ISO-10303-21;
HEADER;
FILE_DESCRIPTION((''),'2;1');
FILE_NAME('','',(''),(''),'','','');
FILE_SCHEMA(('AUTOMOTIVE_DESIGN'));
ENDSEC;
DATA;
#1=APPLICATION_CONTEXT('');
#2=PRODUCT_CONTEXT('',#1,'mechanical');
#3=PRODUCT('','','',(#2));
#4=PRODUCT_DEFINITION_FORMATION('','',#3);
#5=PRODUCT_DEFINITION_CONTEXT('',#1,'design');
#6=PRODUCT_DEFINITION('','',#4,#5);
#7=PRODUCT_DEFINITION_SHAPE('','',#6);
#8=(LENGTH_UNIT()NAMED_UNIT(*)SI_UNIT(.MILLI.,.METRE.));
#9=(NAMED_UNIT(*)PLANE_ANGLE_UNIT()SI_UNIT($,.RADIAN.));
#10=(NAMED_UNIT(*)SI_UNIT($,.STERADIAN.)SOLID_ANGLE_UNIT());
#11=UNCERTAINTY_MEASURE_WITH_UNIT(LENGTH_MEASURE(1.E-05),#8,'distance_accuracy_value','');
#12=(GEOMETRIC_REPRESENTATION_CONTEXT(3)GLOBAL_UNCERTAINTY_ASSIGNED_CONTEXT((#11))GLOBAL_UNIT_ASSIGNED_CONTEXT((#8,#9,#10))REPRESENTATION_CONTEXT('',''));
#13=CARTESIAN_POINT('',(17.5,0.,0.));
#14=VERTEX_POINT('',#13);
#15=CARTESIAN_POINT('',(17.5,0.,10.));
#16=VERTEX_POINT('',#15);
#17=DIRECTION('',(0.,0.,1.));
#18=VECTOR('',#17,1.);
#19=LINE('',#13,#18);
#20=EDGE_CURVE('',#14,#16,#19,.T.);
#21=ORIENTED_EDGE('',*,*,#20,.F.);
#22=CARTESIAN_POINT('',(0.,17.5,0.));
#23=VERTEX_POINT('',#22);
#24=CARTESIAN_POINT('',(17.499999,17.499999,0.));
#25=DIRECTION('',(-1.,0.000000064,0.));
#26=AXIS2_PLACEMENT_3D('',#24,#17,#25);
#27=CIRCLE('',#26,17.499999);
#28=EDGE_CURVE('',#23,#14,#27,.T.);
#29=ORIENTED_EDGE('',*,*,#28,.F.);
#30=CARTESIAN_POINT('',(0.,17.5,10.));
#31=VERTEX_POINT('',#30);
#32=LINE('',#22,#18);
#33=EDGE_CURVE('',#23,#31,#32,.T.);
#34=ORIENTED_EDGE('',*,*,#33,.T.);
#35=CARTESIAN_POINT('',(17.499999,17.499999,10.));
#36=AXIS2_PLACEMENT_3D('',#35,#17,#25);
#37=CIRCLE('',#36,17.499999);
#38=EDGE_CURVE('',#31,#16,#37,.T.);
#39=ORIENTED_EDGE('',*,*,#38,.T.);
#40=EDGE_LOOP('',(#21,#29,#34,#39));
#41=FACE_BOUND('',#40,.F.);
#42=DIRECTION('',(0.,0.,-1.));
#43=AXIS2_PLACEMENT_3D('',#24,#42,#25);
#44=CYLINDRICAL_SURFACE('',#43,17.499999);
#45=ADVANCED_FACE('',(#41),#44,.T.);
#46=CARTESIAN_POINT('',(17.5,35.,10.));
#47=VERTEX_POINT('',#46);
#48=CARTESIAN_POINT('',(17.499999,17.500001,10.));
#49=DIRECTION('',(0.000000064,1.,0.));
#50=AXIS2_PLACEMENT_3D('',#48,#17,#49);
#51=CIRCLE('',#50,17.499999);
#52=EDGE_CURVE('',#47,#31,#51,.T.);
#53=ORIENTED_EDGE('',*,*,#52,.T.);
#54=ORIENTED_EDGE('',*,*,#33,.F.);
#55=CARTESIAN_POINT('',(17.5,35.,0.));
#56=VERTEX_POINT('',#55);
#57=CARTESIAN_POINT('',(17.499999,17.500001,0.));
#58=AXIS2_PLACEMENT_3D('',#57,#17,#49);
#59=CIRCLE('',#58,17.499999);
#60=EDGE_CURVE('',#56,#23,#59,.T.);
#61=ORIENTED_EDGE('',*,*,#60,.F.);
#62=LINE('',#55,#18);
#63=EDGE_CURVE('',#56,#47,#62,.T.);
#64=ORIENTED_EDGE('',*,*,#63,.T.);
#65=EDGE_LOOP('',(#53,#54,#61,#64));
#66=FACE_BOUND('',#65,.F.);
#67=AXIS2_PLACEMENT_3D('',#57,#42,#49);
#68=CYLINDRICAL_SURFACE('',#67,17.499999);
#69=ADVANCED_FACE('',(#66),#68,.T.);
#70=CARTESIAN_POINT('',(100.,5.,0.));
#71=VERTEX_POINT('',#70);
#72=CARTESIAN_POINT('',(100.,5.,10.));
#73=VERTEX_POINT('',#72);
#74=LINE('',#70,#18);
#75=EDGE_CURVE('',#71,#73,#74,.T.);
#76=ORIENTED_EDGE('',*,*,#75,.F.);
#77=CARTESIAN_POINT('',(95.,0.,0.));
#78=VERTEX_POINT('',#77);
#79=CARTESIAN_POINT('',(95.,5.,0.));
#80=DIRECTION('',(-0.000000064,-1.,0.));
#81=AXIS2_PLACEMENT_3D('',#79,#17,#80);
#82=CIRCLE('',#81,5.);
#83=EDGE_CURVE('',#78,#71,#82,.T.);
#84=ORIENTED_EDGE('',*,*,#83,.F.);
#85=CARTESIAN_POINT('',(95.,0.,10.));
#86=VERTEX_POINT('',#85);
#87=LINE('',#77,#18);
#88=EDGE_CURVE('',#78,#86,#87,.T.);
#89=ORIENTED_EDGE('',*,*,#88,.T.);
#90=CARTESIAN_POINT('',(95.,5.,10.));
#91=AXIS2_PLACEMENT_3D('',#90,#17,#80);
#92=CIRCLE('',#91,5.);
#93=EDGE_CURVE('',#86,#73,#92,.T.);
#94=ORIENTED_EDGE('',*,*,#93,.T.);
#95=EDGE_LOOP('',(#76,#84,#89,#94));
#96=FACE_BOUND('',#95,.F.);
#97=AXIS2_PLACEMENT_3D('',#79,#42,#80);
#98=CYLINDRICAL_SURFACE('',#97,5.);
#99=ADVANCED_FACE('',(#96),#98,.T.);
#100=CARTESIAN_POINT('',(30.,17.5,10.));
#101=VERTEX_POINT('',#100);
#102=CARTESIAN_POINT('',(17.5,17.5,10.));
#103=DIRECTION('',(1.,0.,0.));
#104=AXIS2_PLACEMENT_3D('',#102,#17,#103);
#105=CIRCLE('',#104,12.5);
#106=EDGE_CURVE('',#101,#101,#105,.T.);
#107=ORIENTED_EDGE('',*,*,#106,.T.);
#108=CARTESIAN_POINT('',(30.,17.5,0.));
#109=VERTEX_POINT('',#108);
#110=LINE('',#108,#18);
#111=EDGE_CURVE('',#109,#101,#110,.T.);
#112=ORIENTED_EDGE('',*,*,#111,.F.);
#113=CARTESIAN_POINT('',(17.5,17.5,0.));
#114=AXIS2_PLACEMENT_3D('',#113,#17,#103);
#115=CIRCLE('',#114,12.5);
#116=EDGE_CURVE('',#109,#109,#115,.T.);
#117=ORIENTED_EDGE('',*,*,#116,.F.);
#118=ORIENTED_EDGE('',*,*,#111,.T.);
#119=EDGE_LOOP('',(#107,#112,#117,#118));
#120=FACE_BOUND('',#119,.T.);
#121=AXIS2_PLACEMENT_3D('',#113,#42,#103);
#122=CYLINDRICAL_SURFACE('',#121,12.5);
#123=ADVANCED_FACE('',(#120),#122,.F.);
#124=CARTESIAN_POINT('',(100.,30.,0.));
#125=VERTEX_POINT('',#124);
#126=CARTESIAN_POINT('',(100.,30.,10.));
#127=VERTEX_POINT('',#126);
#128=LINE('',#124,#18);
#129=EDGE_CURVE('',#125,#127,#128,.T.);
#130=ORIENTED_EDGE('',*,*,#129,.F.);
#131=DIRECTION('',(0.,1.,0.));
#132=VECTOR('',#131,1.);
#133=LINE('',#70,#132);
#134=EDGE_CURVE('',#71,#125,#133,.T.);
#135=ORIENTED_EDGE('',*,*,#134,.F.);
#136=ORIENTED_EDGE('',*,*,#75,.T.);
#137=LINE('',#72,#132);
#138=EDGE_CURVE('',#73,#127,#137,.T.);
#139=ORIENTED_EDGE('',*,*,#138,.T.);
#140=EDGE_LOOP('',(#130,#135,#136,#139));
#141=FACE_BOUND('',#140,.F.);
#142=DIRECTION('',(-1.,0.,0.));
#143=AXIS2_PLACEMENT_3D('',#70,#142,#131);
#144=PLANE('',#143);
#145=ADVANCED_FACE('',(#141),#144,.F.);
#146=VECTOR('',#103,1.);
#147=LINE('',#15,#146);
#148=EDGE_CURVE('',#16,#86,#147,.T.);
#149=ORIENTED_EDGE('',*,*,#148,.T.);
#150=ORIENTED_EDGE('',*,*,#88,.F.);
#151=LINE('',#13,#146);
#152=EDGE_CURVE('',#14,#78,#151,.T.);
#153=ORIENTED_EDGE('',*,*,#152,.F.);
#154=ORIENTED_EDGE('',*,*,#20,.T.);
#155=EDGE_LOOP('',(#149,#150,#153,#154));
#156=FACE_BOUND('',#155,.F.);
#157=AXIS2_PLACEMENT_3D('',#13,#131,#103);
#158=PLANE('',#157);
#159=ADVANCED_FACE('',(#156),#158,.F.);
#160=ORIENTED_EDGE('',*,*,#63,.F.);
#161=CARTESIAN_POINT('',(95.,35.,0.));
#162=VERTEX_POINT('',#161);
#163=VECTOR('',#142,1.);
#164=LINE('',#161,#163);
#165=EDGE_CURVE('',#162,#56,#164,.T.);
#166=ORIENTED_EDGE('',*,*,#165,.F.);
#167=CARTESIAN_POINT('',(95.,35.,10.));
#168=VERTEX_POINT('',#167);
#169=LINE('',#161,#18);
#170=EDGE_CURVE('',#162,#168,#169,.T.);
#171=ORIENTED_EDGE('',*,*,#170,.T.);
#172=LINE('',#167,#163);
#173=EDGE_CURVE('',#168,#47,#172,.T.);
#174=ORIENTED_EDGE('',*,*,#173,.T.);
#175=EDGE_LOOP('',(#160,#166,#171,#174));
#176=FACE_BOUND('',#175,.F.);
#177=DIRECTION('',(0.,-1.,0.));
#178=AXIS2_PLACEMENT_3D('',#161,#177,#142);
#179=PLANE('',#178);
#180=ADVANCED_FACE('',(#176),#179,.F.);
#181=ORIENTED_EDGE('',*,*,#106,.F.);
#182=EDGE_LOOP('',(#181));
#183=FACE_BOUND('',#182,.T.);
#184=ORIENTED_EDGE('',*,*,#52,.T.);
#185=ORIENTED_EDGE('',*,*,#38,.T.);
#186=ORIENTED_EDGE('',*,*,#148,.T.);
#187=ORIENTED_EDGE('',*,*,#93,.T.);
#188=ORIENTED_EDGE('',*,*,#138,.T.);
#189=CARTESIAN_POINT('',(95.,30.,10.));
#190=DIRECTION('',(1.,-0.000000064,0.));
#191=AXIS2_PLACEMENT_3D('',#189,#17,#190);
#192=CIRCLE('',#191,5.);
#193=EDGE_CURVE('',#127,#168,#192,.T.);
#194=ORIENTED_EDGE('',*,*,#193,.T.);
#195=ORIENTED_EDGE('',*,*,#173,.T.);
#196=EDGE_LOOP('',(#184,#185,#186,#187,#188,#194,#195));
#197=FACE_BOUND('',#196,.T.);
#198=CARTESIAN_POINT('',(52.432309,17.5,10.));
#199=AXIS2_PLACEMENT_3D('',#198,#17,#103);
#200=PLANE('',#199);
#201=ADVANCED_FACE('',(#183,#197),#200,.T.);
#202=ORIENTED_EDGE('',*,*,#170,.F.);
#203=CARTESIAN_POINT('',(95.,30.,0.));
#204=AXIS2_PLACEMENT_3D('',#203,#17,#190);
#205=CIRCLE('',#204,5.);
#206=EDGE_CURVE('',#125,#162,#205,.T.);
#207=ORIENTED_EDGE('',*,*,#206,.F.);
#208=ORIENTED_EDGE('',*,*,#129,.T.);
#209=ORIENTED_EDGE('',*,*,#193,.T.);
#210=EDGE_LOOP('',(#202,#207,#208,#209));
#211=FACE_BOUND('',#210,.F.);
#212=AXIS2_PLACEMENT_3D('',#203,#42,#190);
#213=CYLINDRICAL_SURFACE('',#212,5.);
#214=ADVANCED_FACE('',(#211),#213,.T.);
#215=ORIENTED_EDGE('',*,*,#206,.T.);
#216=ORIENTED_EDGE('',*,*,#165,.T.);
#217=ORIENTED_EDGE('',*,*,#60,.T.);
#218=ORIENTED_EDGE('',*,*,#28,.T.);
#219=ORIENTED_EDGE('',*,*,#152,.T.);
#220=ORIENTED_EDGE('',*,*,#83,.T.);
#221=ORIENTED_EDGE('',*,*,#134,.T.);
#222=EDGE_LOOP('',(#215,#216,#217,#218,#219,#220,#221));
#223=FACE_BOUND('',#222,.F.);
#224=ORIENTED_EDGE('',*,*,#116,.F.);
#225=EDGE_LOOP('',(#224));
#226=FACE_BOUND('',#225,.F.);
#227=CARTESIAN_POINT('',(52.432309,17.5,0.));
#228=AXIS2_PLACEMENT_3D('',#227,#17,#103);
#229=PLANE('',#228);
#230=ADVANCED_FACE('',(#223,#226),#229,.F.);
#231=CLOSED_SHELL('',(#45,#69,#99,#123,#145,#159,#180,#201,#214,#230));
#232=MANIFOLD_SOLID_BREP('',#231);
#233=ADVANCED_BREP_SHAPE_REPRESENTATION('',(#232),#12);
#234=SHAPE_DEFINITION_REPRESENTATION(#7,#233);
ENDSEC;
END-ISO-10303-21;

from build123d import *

# Parameters (mm, degrees)
F0_R     = 12.5
F1_DEPTH = 10


with BuildPart() as f1:
    # F0 (on Top) → F1 (new body)
    with BuildSketch(Plane.XY):
        with BuildLine():
            ThreePointArc((0, 17.5), (5.125631, 5.125631), (17.5, 0))
            Line((17.5, 0), (95, 0))
            ThreePointArc((95, 0), (98.535534, 1.464466), (100, 5))
            Line((100, 5), (100, 30))
            ThreePointArc((100, 30), (98.535534, 33.535534), (95, 35))
            Line((95, 35), (17.5, 35))
            ThreePointArc((17.5, 35), (5.125631, 29.874369), (0, 17.5))
        make_face()
        with Locations((17.5, 17.5)):
            Circle(F0_R, mode=Mode.SUBTRACT)
    extrude(amount=F1_DEPTH)


solid = f1.part
